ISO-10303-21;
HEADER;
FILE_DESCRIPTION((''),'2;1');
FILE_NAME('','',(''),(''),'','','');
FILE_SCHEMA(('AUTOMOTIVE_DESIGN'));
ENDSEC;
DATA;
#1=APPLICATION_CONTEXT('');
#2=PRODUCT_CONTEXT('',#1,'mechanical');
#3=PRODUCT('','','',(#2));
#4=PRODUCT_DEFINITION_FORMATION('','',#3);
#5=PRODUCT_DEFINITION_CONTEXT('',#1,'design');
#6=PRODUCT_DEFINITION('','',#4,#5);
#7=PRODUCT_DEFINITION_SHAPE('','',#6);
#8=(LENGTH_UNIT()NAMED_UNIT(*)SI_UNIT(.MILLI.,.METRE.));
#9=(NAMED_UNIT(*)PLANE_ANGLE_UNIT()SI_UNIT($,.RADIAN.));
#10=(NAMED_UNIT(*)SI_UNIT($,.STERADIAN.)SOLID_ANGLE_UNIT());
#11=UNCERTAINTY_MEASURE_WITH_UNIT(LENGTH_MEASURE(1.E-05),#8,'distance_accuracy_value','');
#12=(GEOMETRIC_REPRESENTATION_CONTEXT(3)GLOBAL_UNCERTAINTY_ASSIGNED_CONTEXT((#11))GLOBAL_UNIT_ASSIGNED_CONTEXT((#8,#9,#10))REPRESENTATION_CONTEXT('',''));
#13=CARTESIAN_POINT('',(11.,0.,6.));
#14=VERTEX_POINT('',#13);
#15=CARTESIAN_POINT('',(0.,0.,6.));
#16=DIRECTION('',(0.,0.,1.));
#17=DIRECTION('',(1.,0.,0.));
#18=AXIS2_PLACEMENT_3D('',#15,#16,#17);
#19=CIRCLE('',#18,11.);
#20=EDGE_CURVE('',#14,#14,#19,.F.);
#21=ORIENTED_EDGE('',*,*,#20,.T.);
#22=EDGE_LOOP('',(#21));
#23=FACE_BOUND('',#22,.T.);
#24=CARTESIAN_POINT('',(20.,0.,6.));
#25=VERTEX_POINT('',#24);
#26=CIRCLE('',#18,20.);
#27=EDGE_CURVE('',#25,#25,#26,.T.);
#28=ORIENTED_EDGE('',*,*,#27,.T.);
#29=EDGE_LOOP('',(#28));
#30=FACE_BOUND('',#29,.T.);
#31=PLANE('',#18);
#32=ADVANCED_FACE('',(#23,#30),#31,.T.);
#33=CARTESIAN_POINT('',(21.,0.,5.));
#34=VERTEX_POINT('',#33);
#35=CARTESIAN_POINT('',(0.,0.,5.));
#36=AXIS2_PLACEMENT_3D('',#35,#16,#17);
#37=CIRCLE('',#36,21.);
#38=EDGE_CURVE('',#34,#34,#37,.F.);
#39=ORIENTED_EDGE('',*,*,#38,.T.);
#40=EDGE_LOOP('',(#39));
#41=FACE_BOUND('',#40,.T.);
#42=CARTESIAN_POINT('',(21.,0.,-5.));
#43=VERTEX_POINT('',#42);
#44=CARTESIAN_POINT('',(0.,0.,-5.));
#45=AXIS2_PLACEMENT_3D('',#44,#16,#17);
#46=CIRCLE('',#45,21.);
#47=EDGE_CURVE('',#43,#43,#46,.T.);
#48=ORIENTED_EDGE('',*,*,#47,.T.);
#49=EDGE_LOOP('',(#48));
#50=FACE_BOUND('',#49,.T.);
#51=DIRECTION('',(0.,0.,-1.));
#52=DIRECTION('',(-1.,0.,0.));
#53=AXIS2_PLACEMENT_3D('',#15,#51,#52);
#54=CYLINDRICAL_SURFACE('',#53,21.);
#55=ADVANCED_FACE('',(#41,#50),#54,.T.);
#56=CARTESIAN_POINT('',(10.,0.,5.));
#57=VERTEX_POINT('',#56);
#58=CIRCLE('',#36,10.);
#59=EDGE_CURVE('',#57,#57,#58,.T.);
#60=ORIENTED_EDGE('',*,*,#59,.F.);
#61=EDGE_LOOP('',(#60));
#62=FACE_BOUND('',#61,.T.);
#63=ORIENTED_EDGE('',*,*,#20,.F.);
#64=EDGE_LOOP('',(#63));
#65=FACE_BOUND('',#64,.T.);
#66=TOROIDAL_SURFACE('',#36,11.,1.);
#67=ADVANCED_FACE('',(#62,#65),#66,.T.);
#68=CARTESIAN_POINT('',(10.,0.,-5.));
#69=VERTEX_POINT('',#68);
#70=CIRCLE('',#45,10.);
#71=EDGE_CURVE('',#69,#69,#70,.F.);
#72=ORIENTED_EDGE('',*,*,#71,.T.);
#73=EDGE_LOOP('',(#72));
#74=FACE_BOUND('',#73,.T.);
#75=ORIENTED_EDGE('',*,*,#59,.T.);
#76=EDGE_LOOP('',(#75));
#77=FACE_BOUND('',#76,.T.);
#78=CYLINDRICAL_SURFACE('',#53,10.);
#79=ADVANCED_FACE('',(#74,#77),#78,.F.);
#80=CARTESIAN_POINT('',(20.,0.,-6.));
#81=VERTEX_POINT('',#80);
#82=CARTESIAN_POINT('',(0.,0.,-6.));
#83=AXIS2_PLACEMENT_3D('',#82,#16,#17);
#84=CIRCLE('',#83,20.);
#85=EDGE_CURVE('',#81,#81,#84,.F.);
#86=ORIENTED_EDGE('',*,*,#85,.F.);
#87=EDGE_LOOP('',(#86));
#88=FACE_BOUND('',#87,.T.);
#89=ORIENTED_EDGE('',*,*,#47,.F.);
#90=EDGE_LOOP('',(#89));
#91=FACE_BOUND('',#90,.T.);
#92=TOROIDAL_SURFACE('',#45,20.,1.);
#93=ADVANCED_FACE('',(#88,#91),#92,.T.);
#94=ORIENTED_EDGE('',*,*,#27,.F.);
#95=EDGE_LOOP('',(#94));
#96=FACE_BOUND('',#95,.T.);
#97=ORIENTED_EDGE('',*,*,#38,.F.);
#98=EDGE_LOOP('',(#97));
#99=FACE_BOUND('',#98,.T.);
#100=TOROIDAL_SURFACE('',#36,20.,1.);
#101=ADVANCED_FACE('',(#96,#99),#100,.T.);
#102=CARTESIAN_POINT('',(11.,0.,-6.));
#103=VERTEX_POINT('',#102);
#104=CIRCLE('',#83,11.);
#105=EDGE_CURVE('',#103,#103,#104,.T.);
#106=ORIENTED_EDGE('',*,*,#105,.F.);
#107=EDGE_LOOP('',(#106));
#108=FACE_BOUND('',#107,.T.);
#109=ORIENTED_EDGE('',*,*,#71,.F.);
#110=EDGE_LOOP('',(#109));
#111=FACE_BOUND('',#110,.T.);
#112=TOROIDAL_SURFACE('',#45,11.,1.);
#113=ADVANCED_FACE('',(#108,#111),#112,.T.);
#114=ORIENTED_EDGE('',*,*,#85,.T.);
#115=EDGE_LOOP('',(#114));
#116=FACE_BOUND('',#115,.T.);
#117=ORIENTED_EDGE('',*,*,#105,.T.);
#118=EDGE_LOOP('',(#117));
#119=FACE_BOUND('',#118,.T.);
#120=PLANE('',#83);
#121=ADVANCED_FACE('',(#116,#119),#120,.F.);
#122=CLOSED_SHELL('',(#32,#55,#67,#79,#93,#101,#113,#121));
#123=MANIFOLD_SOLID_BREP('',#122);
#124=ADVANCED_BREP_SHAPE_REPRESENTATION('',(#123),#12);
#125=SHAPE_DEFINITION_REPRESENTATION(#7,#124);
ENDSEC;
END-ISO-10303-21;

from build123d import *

# Parameters (mm, degrees)
BEARING_DIMENSIONS_R   = 21
BEARING_DIMENSIONS_R_2 = 10
BEARING_EXTRUDE_DEPTH  = 6
FILLET1_R              = 1


with BuildPart() as part:
    # Bearing Dimensions → Bearing Extrude (new, symmetric)
    with BuildSketch(Plane.XY):
        Circle(BEARING_DIMENSIONS_R)
        Circle(BEARING_DIMENSIONS_R_2, mode=Mode.SUBTRACT)
    extrude(amount=BEARING_EXTRUDE_DEPTH, both=True)

    # Fillet1
    fillet1_edges = [part.edges().sort_by_distance(p)[0] for p in [
        (-21, 0, -6),
        (-21, 0, 6),
        (-10, 0, -6),
        (-10, 0, 6),
    ]]
    fillet(fillet1_edges, radius=FILLET1_R)


solid = part.part
